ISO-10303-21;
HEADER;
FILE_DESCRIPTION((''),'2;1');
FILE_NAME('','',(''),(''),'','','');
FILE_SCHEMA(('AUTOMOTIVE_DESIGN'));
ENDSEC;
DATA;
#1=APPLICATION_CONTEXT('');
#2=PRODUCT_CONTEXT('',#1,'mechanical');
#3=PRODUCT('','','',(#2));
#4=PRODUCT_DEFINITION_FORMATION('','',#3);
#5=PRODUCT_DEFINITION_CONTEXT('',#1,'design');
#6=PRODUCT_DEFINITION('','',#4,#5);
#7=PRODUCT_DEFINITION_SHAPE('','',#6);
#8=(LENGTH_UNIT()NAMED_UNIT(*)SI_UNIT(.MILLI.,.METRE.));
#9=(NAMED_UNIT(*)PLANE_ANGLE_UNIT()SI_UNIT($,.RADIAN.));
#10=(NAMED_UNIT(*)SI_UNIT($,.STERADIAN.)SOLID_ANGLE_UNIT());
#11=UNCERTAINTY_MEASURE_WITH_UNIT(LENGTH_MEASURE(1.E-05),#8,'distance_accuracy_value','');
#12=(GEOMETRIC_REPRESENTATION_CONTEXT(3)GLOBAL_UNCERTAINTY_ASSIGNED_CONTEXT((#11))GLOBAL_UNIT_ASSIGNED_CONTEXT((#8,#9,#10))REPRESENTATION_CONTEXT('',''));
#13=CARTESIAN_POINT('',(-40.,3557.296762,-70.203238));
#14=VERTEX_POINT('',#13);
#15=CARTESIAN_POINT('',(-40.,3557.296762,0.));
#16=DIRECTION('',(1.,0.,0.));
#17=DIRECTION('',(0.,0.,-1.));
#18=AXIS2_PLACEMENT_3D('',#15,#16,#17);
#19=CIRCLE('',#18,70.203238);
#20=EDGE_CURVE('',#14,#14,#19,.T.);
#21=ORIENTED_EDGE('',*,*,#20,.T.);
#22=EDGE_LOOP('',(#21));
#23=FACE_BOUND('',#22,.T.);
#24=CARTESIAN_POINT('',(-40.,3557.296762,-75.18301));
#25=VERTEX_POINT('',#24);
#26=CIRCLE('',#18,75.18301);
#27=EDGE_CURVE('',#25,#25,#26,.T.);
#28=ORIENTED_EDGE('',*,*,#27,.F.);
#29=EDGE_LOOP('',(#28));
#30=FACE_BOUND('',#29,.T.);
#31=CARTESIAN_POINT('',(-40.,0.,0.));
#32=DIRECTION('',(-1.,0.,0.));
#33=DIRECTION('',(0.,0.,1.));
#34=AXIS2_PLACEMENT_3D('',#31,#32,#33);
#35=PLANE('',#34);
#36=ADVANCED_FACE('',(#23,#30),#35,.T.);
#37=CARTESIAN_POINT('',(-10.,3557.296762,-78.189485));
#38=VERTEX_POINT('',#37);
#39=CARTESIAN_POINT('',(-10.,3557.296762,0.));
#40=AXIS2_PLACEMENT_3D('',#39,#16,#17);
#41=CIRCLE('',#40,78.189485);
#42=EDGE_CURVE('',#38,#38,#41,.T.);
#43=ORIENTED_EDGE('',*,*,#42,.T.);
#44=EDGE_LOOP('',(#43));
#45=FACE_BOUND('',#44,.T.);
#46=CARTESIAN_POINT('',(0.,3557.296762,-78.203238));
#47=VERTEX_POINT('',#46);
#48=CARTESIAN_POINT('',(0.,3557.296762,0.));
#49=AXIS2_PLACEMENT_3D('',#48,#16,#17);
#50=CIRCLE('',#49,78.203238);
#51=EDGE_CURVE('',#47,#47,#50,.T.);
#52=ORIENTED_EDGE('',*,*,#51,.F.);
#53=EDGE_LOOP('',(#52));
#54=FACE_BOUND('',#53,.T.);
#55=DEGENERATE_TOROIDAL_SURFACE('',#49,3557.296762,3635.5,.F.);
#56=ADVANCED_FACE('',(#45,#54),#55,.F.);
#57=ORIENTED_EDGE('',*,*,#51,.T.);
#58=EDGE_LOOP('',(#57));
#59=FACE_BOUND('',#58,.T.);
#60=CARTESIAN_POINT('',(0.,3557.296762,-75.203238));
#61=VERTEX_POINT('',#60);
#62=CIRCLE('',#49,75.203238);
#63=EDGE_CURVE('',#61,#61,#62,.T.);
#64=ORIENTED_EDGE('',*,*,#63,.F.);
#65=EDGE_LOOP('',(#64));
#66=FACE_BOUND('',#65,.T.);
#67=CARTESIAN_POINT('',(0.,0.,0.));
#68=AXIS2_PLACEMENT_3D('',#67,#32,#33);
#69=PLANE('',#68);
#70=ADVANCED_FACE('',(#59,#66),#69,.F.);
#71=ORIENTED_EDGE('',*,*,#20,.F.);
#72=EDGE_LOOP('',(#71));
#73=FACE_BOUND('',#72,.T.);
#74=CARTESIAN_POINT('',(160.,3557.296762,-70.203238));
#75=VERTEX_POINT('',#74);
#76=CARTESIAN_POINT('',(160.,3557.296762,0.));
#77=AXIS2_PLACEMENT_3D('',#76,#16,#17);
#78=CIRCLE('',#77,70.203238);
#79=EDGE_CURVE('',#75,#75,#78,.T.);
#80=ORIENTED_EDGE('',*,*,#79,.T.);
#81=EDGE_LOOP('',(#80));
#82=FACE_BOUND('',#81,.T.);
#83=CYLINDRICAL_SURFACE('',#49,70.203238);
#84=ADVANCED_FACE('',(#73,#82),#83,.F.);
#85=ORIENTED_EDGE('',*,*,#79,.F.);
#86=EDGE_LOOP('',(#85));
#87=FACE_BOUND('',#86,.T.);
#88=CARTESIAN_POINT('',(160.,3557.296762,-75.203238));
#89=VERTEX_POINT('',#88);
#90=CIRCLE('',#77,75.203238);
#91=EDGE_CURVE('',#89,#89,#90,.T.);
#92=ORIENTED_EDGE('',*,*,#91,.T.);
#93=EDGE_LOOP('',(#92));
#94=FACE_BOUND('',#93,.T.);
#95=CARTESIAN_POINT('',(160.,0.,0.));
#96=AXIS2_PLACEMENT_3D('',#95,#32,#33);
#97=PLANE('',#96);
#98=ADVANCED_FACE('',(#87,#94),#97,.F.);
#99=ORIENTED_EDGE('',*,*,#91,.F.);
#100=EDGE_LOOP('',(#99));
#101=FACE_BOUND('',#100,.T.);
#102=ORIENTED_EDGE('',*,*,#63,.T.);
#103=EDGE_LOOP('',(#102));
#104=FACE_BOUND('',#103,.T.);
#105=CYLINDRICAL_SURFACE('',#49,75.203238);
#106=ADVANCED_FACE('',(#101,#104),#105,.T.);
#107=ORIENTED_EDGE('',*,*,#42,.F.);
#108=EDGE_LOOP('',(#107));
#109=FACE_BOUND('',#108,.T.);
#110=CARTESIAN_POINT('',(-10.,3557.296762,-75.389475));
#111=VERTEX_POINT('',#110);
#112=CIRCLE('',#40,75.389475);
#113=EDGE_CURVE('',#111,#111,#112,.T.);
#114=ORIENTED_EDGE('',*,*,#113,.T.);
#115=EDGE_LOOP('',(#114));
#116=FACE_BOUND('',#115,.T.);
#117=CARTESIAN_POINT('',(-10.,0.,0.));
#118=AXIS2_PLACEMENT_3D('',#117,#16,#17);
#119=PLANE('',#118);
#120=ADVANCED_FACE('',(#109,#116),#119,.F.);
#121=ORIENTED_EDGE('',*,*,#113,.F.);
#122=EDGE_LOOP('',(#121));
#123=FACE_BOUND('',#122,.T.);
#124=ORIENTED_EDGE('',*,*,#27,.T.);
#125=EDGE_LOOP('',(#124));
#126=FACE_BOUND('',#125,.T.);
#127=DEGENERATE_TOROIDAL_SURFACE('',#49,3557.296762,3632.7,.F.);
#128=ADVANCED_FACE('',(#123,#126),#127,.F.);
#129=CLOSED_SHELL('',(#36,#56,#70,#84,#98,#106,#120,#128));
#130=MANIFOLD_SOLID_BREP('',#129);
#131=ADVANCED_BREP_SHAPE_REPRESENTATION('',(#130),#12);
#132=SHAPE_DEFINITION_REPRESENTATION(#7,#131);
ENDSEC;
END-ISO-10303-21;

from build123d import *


with BuildPart() as part:
    # Sketch1 → Revolve1 (revolve)
    with BuildSketch(Plane.XY, mode=Mode.PRIVATE) as revolve1_sk:
        with BuildLine():
            Line((0, 3632.5), (0, 3635.5))
            ThreePointArc((0, 3635.5), (-5.000004729, 3635.496561675), (-10, 3635.486246708))
            Line((-10, 3635.486246708), (-10, 3632.986237243))
            Line((-10, 3632.986237243), (-10, 3632.686236107))
            ThreePointArc((-10, 3632.686236107), (-25.000213137, 3632.613973345), (-40, 3632.479771451))
            Line((-40, 3632.479771451), (-40, 3630.279637989))
            ThreePointArc((-40, 3630.279637989), (-22.500261409, 3630.430275909), (-5, 3630.496556946))
            Line((-5, 3630.496556946), (-5, 3627.5))
            Line((-5, 3627.5), (160, 3627.5))
            Line((160, 3627.5), (160, 3632.5))
            Line((160, 3632.5), (0, 3632.5))
        make_face()
        with BuildLine():
            Line((-40, 3627.5), (-5, 3627.5))
            Line((-5, 3627.5), (-5, 3630.496556946))
            ThreePointArc((-5, 3630.496556946), (-22.500261409, 3630.430275909), (-40, 3630.279637989))
            Line((-40, 3630.279637989), (-40, 3627.5))
        make_face()
    revolve(revolve1_sk.sketch.rotate(Axis((0, 3557.296761587, 0), (-1, 0, 0)), 90), axis=Axis((0, 3557.296761587, 0), (-1, 0, 0)))


solid = part.part
